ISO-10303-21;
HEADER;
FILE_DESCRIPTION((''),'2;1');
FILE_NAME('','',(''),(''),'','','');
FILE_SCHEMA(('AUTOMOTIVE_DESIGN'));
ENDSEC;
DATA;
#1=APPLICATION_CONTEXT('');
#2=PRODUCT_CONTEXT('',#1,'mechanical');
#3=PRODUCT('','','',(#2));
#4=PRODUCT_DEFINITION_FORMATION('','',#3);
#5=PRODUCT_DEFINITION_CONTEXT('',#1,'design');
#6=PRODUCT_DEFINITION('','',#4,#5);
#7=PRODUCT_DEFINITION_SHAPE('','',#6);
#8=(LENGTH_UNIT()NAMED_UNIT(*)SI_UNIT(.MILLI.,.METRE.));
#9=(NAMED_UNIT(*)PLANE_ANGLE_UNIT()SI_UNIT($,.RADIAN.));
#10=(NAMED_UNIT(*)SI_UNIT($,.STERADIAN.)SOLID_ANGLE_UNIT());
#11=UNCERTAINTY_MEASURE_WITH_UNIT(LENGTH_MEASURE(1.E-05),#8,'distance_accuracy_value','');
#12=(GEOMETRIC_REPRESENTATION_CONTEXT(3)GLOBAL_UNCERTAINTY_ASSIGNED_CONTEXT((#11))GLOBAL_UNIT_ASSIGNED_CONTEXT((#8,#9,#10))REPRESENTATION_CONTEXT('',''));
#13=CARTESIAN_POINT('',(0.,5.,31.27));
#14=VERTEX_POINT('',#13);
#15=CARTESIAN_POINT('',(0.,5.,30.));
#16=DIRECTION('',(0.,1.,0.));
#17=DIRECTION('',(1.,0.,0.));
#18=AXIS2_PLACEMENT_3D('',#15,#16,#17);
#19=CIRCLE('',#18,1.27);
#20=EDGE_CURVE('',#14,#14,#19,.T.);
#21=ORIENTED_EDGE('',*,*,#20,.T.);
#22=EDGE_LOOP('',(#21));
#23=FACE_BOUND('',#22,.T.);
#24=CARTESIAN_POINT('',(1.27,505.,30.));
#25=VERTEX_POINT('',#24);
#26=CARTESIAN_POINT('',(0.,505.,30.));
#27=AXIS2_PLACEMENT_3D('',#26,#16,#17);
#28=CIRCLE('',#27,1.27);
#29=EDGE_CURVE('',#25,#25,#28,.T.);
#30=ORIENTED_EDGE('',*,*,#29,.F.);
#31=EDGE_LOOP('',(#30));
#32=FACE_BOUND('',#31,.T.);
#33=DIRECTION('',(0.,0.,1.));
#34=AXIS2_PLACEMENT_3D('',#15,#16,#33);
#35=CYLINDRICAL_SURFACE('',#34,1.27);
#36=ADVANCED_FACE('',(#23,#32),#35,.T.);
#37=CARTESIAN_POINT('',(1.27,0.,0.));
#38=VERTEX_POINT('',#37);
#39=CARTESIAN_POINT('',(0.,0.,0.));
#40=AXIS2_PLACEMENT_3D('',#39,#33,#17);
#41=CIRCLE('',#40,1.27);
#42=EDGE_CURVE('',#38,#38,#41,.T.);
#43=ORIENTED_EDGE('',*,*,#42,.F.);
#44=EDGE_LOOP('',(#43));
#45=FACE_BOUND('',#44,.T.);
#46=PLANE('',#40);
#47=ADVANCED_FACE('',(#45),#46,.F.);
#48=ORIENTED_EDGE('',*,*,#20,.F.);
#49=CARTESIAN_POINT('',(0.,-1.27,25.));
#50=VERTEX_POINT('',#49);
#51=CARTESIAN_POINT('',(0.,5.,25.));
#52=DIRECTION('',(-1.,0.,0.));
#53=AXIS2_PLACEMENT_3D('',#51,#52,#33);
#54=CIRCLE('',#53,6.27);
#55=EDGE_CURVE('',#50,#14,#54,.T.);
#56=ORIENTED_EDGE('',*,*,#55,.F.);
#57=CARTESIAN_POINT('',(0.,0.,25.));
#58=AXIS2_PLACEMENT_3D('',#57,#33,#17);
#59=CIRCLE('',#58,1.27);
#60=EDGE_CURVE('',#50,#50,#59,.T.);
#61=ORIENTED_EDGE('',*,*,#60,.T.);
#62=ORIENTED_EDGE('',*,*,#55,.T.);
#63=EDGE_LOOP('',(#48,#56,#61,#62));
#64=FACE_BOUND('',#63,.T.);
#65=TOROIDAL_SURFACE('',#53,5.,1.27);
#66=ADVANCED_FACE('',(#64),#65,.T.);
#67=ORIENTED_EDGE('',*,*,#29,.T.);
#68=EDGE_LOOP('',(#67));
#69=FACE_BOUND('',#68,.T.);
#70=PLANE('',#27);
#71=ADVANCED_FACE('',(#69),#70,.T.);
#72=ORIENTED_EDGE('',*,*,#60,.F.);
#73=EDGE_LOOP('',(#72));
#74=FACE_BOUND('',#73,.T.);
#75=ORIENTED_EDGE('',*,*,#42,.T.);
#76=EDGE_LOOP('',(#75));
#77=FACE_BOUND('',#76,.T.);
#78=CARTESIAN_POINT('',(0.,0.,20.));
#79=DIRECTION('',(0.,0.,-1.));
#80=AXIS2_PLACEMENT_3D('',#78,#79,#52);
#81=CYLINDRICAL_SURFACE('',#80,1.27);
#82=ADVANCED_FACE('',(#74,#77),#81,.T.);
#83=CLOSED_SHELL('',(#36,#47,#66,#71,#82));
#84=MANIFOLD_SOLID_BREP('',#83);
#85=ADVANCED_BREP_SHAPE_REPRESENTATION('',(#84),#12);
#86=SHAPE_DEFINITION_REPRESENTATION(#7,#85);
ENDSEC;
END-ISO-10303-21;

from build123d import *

# Parameters (mm, degrees)
SKETCH_1_R      = 1.27
EXTRUDE_1_DEPTH = 20
SKETCH_2_R      = 1.27


with BuildPart() as part:
    # ｽｹｯﾁ1 → ﾎﾞｽ - 押し出し1 (new body)
    with BuildSketch(Plane.XY):
        Circle(SKETCH_1_R)
    extrude(amount=EXTRUDE_1_DEPTH)

    # ｽｲｰﾌﾟ1: sweep along a path in ｽｹｯﾁ3
    with BuildLine(Plane(origin=(0, 0, 0), x_dir=(0, 0, -1), z_dir=(1, 0, 0))) as sweep_1_path:
        Line((-20, 0), (-25, 0))
        ThreePointArc((-25, 0), (-28.535533906, 1.464466094), (-30, 5))
        Line((-30, 5), (-30, 505))
    # ｽｹｯﾁ2 → ｽｲｰﾌﾟ1 (sweep)
    with BuildSketch(Plane.XY.offset(20)):
        Circle(SKETCH_2_R)
    sweep(path=sweep_1_path.line)


solid = part.part
